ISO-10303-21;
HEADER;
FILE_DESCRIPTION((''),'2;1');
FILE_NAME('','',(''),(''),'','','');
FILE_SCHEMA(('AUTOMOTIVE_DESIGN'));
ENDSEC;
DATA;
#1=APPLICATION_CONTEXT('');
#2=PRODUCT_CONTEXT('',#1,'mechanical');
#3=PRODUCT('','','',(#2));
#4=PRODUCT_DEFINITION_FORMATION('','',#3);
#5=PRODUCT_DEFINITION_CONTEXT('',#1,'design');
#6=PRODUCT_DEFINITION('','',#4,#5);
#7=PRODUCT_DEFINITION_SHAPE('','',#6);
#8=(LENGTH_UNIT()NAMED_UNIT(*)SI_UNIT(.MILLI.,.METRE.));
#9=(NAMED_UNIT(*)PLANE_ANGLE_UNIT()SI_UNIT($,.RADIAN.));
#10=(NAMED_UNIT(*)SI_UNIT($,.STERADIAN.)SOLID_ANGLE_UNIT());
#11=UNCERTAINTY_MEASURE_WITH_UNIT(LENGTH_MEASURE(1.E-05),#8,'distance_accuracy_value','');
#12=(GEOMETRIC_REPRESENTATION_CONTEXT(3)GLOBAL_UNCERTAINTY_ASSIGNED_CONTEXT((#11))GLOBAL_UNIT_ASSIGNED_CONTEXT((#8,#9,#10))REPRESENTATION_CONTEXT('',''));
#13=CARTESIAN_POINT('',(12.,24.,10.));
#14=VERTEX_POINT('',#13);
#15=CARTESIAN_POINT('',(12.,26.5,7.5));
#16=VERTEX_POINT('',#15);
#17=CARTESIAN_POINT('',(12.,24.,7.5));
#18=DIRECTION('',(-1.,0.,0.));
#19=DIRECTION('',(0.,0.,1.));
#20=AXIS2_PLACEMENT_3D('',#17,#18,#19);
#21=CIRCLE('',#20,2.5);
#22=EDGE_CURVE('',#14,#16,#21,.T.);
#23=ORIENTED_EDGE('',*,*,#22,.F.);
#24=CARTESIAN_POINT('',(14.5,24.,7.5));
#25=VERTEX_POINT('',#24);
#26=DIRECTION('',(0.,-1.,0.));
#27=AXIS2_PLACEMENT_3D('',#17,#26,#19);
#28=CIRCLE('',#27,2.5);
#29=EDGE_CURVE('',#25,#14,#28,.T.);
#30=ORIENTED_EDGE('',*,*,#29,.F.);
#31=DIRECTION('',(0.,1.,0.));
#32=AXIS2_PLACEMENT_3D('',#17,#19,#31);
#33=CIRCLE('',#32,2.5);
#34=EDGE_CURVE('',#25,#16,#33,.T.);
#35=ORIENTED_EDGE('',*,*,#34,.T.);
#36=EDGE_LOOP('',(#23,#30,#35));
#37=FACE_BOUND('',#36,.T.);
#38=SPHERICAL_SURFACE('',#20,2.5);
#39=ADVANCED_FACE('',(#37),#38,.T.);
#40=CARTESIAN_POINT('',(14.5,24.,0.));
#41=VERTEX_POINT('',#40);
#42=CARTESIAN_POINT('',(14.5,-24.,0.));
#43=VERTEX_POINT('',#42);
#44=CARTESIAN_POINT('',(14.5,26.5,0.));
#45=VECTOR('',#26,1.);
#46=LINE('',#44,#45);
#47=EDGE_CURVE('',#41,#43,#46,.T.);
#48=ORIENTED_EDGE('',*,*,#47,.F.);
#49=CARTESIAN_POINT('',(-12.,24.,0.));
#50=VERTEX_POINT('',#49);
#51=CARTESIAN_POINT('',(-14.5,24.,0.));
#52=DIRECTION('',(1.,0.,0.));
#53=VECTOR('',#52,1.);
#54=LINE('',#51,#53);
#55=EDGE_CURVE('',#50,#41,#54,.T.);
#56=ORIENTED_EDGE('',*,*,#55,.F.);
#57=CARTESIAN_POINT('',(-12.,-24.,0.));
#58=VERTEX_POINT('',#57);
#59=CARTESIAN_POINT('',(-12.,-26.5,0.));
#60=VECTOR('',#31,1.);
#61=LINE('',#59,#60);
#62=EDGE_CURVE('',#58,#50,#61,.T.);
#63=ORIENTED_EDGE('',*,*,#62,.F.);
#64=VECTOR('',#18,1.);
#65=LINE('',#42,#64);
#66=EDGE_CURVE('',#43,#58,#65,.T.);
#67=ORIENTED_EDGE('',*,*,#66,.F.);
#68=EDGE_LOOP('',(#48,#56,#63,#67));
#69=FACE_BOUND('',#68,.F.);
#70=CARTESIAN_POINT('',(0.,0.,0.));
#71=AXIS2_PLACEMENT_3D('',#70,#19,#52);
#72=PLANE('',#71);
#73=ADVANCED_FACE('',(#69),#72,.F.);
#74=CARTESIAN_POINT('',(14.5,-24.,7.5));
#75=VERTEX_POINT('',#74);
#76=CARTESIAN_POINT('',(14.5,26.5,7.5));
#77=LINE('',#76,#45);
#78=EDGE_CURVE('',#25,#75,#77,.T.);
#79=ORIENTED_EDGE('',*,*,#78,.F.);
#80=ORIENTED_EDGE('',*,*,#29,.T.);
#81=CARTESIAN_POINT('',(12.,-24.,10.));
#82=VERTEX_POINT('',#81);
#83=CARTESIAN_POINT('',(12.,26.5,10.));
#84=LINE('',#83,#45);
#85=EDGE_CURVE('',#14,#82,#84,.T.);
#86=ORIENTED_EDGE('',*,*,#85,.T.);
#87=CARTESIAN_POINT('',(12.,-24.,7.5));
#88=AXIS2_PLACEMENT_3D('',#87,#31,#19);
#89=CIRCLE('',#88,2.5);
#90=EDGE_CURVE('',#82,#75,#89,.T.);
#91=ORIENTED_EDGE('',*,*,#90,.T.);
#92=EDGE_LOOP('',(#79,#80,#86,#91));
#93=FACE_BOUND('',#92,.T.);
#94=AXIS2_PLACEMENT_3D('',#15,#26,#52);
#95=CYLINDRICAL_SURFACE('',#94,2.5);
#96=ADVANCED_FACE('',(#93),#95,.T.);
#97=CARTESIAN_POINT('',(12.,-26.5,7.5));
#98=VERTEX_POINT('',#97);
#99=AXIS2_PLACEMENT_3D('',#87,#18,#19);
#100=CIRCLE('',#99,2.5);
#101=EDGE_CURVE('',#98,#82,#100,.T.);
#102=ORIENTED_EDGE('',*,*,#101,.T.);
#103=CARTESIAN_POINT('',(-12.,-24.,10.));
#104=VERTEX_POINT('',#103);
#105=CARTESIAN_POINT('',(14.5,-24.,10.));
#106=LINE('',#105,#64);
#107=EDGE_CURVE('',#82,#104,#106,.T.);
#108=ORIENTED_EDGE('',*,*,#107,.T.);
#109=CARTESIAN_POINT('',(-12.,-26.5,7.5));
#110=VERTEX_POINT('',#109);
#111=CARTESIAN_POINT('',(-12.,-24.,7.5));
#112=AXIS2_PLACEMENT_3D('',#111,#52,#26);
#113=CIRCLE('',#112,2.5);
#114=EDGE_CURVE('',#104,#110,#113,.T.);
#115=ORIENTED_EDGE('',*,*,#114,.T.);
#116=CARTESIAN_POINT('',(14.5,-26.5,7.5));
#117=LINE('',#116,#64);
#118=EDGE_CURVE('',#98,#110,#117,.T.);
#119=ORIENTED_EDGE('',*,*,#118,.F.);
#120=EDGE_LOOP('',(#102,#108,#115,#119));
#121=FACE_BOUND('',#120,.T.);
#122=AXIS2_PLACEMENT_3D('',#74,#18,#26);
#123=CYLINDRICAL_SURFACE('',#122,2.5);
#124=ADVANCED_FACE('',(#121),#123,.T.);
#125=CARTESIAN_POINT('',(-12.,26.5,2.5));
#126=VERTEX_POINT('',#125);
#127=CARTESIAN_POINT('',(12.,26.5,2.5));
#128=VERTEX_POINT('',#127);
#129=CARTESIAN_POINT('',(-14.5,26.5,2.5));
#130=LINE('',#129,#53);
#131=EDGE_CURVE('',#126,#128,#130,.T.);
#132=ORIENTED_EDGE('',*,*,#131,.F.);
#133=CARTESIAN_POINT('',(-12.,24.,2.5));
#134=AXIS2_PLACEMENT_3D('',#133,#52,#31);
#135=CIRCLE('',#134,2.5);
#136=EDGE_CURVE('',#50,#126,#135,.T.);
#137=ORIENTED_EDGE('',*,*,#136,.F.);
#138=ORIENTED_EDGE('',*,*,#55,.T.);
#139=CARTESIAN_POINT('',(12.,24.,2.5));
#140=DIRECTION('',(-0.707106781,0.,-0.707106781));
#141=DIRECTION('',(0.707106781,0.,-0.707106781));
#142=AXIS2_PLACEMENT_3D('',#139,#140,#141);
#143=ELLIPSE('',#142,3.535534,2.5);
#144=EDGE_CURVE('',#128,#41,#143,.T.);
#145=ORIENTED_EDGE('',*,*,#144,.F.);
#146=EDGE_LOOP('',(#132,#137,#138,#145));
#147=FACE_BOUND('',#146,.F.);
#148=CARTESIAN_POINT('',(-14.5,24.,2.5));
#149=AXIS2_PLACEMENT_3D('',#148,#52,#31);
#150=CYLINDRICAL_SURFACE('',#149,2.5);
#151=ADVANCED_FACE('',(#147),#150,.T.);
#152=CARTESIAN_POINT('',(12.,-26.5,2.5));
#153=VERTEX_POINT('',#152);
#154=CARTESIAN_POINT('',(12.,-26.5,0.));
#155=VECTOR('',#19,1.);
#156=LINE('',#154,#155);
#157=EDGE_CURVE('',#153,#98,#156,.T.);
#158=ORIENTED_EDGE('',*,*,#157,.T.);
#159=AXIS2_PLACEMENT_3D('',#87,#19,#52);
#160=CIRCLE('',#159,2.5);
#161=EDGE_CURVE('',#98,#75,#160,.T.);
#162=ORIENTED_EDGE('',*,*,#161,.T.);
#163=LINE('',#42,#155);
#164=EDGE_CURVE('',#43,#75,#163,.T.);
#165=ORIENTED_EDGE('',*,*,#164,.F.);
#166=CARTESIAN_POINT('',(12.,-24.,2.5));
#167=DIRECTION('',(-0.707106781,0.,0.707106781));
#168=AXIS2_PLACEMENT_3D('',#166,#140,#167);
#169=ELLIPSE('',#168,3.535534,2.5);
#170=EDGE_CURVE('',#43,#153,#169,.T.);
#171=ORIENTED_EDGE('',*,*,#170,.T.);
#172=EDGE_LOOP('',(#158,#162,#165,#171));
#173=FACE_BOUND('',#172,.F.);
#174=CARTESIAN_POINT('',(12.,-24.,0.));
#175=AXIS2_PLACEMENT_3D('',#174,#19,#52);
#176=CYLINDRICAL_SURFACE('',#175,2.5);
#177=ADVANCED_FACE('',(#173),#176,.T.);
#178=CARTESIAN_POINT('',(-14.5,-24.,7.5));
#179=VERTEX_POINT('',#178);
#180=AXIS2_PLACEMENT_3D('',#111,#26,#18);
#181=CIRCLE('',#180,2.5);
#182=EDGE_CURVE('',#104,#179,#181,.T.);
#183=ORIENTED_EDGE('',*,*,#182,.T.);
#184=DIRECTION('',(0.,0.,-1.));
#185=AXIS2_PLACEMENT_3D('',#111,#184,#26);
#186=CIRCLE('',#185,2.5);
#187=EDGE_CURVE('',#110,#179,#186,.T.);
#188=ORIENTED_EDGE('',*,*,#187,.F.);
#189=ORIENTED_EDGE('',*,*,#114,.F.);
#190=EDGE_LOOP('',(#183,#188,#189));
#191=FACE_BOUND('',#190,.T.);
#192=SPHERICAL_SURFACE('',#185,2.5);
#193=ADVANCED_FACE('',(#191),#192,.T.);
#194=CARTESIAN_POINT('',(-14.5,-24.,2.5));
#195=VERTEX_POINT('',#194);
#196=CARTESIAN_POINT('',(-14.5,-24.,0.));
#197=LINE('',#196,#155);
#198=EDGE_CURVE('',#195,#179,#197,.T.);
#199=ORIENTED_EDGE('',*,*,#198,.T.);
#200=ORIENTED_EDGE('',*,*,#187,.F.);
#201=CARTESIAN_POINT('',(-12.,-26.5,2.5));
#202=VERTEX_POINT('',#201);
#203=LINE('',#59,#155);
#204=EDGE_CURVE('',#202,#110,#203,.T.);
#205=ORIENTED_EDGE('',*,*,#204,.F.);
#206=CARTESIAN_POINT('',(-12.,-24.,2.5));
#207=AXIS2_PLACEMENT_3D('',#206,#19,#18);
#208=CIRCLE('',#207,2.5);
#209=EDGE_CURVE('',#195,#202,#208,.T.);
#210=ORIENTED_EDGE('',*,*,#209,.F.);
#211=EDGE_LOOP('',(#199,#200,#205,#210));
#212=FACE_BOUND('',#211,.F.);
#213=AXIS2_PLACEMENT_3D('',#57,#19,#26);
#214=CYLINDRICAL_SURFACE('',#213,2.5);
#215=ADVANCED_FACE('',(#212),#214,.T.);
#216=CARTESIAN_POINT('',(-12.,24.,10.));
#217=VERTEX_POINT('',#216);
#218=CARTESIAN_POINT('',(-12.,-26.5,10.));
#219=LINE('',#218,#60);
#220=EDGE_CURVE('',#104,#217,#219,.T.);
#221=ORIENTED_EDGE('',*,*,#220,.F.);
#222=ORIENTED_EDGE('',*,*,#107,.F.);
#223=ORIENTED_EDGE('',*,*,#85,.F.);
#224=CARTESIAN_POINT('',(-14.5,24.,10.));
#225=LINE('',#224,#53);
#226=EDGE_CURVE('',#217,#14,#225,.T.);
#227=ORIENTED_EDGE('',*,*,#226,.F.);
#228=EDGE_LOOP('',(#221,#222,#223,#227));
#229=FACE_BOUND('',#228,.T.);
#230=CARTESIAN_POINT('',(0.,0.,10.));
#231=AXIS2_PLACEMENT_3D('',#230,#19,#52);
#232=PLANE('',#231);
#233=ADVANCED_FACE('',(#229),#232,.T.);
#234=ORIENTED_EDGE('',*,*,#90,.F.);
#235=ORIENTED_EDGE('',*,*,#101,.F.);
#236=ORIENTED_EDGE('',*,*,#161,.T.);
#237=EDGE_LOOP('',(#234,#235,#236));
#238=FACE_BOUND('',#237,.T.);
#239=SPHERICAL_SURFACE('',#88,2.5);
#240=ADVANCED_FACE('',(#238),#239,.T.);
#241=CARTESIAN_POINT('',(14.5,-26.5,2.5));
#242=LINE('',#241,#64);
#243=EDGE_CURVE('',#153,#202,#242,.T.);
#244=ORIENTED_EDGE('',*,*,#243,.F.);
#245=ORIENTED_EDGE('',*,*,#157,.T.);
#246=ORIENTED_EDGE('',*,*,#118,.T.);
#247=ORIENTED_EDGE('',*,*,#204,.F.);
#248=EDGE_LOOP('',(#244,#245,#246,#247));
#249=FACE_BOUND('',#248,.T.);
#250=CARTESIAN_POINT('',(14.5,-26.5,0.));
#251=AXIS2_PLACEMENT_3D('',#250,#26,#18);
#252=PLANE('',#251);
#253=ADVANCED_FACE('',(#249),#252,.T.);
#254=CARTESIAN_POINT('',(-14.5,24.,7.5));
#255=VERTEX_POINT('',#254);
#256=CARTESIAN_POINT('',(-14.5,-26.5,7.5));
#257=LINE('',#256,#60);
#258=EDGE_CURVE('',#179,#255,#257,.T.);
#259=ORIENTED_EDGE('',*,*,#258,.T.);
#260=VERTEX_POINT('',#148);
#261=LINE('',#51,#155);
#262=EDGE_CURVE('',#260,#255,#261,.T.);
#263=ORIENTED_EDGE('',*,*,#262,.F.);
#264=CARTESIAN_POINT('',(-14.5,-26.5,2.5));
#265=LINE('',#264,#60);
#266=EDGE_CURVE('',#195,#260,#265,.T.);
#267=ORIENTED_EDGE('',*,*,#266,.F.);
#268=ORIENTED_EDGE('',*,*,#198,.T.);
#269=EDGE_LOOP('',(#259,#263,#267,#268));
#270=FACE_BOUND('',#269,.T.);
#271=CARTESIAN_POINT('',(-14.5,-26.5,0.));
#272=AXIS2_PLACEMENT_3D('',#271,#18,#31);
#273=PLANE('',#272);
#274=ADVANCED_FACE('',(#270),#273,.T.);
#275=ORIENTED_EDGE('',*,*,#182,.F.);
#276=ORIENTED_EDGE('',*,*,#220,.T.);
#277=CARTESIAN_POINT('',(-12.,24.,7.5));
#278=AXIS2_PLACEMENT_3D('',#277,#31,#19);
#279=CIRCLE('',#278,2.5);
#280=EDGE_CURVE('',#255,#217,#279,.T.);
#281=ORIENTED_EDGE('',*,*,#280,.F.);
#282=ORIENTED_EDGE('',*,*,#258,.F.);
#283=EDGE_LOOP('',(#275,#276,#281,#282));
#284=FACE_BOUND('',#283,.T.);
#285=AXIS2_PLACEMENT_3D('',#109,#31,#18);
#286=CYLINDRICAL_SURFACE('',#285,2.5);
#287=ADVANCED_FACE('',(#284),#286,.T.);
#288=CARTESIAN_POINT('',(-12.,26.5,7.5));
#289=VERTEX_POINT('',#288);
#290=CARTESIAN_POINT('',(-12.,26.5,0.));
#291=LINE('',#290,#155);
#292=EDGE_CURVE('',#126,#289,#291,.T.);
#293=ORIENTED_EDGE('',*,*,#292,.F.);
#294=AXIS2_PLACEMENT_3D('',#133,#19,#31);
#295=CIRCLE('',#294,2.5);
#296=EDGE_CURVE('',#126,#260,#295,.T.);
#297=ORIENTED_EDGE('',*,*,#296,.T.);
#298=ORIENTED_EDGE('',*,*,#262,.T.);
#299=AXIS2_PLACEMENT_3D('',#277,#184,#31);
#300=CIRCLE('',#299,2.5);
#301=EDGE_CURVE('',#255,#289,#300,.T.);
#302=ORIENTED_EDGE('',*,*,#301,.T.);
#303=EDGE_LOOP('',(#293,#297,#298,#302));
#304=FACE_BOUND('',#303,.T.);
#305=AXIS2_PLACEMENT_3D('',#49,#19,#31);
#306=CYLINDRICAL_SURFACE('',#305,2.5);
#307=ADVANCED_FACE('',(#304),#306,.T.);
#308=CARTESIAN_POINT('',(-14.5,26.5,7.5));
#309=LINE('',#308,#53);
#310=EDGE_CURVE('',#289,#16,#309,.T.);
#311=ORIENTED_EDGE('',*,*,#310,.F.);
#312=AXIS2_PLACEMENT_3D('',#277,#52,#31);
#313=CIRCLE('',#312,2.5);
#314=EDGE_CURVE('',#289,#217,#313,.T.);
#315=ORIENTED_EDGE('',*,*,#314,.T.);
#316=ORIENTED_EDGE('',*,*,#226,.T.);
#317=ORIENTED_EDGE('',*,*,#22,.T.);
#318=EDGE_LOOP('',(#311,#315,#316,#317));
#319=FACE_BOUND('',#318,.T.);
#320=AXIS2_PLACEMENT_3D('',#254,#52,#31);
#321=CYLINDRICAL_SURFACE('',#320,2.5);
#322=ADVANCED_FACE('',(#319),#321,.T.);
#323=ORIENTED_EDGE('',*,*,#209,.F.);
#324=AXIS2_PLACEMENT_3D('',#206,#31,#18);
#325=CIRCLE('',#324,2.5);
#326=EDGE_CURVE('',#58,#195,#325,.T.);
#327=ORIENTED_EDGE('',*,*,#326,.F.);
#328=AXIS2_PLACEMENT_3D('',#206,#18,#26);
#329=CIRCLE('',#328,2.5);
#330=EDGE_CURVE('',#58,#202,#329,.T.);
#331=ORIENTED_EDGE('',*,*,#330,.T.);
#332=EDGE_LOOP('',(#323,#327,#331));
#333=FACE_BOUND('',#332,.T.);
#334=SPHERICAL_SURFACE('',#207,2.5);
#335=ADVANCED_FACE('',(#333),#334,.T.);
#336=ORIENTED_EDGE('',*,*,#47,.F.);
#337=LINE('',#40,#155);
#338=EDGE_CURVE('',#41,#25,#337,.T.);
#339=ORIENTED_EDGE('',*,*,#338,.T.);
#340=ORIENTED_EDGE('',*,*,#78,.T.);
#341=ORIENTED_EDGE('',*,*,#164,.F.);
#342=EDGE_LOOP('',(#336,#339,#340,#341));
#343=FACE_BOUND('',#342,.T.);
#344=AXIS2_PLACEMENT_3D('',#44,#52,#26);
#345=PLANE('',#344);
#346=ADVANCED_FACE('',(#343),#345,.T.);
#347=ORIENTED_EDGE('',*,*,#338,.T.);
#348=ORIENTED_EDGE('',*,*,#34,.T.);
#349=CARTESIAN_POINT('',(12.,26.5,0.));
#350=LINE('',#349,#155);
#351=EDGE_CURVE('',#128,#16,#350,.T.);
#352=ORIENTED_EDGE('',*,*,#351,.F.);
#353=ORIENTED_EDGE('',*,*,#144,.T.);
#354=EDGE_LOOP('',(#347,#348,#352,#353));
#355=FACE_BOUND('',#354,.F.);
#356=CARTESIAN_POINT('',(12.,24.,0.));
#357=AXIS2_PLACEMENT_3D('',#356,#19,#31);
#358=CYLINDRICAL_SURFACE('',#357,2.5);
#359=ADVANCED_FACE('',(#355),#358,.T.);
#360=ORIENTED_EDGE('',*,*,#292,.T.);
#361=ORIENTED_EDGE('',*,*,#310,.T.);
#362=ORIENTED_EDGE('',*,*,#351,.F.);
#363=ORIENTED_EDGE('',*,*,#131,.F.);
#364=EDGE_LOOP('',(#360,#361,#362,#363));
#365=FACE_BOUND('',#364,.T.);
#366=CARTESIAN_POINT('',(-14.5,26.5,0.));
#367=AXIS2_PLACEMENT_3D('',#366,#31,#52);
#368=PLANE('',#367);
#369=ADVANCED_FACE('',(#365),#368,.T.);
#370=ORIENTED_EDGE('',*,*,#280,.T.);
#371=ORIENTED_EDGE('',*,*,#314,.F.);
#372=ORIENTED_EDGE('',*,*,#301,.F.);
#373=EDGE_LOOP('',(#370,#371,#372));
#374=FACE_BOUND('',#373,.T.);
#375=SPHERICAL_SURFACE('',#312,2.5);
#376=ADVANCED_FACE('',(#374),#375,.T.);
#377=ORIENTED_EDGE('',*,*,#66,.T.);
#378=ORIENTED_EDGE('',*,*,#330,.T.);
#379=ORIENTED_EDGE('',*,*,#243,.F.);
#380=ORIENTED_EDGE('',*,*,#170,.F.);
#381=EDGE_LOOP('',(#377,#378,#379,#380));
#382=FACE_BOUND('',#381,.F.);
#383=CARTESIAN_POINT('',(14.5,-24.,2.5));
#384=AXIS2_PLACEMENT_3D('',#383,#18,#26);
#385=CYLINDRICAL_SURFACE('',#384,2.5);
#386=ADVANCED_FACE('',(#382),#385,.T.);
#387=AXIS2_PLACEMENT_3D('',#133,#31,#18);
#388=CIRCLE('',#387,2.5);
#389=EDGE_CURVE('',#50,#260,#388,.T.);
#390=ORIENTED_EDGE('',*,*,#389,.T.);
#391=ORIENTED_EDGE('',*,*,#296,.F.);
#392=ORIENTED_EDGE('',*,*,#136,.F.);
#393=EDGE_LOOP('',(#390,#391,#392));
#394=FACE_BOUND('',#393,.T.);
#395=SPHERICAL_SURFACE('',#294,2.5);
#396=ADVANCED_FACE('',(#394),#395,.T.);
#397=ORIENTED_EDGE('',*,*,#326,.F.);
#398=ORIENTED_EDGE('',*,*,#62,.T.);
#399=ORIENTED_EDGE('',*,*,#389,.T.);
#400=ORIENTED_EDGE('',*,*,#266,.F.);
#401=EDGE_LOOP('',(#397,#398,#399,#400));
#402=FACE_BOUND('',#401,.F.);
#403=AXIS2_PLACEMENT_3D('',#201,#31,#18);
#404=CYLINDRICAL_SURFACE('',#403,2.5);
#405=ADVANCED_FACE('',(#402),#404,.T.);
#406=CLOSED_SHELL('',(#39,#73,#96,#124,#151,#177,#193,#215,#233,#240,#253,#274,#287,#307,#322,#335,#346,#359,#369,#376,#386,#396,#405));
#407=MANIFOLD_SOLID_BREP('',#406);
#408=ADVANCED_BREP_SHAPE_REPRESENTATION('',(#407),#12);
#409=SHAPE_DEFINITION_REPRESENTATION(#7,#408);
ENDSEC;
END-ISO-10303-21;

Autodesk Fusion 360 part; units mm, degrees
sketch "Sketch1" plane through (0, 0, 0) normal (0, 0, 1) x (1, 0, 0)
  line L0 (-14.5, 26.5) -> (14.5, 26.5)
  line L1 (14.5, 26.5) -> (14.5, -26.5)
  line L2 (14.5, -26.5) -> (-14.5, -26.5)
  line L3 (-14.5, -26.5) -> (-14.5, 26.5)
  dimension "d1" = 29
  dimension "d2" = 53
extrude "Extrude1" add sketch "Sketch1" along normal blind 10
fillet "Fillet1" radius 2.5 9 edges at (-14.5, -26.5, 5) (0, 26.5, 10) (-14.5, 26.5, 5) (0, 26.5, 0) (14.5, 0, 10) (0, -26.5, 10) (-14.5, 0, 0) (-14.5, 0, 10) (14.5, 26.5, 5) 4 faces at (4.8333, -26.5, 3.3333) (-4.8333, 26.5, 3.3333) (-4.8333, -8.8333, 10) (-14.5, -8.8333, 3.3333)
